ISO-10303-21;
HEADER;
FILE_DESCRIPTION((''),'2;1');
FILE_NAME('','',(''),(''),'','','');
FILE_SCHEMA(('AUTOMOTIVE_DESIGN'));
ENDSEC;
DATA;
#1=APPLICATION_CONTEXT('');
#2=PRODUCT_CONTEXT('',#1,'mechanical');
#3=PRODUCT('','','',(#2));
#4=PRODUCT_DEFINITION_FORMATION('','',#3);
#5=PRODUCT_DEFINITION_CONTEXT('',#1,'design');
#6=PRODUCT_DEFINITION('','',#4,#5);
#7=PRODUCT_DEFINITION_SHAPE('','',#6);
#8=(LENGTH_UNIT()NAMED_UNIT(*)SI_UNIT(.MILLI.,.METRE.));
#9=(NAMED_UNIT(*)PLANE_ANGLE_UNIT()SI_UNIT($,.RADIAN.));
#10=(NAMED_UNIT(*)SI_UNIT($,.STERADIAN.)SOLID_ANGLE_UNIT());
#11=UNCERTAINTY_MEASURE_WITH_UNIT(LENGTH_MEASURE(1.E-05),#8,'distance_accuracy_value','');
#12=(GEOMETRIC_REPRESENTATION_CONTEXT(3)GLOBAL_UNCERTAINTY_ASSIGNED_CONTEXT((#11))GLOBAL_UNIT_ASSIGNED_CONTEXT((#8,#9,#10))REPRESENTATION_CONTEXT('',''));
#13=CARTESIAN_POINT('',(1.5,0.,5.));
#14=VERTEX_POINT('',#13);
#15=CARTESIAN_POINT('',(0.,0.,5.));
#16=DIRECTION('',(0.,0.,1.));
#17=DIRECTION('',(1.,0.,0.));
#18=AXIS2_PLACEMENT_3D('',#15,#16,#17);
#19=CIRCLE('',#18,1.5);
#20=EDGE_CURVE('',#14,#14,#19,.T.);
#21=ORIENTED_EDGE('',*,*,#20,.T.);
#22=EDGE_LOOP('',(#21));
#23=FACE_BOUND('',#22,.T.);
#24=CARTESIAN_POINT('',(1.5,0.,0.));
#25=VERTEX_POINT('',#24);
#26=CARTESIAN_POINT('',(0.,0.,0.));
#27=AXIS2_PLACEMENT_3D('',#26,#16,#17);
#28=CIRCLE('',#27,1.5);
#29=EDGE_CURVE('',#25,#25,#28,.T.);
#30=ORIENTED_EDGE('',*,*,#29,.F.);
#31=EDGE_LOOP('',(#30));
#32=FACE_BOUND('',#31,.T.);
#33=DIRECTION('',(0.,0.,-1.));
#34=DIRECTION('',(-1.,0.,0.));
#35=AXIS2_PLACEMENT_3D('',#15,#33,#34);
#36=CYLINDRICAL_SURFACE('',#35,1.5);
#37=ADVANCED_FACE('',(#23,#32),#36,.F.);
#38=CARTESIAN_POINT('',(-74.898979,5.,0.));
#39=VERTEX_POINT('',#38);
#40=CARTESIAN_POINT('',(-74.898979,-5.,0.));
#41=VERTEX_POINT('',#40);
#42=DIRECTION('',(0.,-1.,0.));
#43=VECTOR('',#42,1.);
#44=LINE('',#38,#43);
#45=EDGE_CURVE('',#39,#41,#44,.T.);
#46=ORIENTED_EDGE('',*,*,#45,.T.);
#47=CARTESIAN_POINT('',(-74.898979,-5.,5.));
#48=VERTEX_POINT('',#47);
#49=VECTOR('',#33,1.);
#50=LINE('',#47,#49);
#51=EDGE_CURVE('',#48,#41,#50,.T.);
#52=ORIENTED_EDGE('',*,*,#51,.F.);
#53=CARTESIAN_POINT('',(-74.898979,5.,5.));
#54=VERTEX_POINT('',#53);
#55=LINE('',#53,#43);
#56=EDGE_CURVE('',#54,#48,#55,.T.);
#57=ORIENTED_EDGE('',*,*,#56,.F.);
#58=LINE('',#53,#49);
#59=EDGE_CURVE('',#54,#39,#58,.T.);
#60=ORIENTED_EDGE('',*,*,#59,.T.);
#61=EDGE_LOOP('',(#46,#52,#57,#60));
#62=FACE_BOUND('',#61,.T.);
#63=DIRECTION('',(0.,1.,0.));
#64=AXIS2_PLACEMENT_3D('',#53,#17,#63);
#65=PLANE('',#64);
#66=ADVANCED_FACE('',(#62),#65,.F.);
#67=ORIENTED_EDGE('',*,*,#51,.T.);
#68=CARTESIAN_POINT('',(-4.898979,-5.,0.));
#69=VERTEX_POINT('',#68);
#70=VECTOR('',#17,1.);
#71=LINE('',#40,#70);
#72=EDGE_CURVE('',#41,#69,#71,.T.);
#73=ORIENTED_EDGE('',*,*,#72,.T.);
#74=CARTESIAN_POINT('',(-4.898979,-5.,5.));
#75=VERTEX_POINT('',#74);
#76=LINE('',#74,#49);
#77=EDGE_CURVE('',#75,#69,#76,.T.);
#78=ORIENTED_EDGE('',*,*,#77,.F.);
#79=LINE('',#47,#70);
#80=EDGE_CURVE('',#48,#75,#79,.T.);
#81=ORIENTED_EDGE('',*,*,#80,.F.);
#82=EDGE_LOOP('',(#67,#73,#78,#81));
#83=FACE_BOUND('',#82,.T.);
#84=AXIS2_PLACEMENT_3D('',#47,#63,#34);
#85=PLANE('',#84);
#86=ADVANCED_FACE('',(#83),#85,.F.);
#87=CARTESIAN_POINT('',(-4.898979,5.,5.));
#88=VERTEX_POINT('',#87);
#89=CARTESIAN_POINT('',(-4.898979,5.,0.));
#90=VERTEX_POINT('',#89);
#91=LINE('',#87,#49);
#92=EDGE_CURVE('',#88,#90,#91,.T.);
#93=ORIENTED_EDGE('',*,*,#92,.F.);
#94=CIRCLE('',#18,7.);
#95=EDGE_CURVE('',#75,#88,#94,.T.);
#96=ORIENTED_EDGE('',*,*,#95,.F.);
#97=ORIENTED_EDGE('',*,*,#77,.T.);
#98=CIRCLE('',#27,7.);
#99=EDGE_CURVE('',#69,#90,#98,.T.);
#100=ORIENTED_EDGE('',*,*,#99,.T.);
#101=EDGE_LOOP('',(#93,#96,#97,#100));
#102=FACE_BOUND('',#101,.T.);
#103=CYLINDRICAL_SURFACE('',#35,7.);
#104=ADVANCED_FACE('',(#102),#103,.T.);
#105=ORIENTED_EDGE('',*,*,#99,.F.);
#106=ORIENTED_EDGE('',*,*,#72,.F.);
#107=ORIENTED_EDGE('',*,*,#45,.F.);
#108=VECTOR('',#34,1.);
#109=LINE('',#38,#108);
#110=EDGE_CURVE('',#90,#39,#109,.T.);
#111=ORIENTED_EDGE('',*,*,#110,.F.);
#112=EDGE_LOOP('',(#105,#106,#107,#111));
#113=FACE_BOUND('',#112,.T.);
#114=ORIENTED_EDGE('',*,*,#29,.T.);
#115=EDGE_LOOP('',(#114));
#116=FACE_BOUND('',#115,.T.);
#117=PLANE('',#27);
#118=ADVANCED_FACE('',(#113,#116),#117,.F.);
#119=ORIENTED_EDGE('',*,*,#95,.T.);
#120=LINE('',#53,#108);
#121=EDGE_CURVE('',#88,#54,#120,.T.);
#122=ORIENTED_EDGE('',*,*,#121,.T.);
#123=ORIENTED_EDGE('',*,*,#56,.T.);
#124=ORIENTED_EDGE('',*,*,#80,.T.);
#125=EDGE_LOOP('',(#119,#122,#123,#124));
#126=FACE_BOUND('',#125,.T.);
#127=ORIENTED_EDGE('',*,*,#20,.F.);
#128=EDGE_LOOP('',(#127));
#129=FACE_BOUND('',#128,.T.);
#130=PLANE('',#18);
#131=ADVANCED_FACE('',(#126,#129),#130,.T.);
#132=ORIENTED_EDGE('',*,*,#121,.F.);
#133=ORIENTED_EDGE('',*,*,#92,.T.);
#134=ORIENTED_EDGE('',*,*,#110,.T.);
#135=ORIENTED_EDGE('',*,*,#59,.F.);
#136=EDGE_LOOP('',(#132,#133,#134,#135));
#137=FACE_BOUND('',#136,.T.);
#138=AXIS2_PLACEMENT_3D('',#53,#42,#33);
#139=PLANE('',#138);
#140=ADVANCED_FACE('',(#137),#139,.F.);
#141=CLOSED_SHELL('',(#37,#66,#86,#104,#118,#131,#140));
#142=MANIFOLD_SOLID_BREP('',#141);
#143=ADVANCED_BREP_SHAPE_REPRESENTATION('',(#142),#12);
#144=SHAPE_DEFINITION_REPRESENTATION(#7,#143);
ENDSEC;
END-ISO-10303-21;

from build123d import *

# Parameters (mm, degrees)
SKETCH1_R           = 1.5
BOSS_EXTRUDE1_DEPTH = 5


with BuildPart() as part:
    # Sketch1 → Boss-Extrude1 (new body)
    with BuildSketch(Plane.XY):
        with BuildLine():
            Line((-74.898979486, 5), (-4.898979486, 5))
            ThreePointArc((-4.898979486, 5), (7, 0), (-4.898979486, -5))
            Line((-4.898979486, -5), (-74.898979486, -5))
            Line((-74.898979486, -5), (-74.898979486, 5))
        make_face()
        Circle(SKETCH1_R, mode=Mode.SUBTRACT)
    extrude(amount=BOSS_EXTRUDE1_DEPTH)


solid = part.part
